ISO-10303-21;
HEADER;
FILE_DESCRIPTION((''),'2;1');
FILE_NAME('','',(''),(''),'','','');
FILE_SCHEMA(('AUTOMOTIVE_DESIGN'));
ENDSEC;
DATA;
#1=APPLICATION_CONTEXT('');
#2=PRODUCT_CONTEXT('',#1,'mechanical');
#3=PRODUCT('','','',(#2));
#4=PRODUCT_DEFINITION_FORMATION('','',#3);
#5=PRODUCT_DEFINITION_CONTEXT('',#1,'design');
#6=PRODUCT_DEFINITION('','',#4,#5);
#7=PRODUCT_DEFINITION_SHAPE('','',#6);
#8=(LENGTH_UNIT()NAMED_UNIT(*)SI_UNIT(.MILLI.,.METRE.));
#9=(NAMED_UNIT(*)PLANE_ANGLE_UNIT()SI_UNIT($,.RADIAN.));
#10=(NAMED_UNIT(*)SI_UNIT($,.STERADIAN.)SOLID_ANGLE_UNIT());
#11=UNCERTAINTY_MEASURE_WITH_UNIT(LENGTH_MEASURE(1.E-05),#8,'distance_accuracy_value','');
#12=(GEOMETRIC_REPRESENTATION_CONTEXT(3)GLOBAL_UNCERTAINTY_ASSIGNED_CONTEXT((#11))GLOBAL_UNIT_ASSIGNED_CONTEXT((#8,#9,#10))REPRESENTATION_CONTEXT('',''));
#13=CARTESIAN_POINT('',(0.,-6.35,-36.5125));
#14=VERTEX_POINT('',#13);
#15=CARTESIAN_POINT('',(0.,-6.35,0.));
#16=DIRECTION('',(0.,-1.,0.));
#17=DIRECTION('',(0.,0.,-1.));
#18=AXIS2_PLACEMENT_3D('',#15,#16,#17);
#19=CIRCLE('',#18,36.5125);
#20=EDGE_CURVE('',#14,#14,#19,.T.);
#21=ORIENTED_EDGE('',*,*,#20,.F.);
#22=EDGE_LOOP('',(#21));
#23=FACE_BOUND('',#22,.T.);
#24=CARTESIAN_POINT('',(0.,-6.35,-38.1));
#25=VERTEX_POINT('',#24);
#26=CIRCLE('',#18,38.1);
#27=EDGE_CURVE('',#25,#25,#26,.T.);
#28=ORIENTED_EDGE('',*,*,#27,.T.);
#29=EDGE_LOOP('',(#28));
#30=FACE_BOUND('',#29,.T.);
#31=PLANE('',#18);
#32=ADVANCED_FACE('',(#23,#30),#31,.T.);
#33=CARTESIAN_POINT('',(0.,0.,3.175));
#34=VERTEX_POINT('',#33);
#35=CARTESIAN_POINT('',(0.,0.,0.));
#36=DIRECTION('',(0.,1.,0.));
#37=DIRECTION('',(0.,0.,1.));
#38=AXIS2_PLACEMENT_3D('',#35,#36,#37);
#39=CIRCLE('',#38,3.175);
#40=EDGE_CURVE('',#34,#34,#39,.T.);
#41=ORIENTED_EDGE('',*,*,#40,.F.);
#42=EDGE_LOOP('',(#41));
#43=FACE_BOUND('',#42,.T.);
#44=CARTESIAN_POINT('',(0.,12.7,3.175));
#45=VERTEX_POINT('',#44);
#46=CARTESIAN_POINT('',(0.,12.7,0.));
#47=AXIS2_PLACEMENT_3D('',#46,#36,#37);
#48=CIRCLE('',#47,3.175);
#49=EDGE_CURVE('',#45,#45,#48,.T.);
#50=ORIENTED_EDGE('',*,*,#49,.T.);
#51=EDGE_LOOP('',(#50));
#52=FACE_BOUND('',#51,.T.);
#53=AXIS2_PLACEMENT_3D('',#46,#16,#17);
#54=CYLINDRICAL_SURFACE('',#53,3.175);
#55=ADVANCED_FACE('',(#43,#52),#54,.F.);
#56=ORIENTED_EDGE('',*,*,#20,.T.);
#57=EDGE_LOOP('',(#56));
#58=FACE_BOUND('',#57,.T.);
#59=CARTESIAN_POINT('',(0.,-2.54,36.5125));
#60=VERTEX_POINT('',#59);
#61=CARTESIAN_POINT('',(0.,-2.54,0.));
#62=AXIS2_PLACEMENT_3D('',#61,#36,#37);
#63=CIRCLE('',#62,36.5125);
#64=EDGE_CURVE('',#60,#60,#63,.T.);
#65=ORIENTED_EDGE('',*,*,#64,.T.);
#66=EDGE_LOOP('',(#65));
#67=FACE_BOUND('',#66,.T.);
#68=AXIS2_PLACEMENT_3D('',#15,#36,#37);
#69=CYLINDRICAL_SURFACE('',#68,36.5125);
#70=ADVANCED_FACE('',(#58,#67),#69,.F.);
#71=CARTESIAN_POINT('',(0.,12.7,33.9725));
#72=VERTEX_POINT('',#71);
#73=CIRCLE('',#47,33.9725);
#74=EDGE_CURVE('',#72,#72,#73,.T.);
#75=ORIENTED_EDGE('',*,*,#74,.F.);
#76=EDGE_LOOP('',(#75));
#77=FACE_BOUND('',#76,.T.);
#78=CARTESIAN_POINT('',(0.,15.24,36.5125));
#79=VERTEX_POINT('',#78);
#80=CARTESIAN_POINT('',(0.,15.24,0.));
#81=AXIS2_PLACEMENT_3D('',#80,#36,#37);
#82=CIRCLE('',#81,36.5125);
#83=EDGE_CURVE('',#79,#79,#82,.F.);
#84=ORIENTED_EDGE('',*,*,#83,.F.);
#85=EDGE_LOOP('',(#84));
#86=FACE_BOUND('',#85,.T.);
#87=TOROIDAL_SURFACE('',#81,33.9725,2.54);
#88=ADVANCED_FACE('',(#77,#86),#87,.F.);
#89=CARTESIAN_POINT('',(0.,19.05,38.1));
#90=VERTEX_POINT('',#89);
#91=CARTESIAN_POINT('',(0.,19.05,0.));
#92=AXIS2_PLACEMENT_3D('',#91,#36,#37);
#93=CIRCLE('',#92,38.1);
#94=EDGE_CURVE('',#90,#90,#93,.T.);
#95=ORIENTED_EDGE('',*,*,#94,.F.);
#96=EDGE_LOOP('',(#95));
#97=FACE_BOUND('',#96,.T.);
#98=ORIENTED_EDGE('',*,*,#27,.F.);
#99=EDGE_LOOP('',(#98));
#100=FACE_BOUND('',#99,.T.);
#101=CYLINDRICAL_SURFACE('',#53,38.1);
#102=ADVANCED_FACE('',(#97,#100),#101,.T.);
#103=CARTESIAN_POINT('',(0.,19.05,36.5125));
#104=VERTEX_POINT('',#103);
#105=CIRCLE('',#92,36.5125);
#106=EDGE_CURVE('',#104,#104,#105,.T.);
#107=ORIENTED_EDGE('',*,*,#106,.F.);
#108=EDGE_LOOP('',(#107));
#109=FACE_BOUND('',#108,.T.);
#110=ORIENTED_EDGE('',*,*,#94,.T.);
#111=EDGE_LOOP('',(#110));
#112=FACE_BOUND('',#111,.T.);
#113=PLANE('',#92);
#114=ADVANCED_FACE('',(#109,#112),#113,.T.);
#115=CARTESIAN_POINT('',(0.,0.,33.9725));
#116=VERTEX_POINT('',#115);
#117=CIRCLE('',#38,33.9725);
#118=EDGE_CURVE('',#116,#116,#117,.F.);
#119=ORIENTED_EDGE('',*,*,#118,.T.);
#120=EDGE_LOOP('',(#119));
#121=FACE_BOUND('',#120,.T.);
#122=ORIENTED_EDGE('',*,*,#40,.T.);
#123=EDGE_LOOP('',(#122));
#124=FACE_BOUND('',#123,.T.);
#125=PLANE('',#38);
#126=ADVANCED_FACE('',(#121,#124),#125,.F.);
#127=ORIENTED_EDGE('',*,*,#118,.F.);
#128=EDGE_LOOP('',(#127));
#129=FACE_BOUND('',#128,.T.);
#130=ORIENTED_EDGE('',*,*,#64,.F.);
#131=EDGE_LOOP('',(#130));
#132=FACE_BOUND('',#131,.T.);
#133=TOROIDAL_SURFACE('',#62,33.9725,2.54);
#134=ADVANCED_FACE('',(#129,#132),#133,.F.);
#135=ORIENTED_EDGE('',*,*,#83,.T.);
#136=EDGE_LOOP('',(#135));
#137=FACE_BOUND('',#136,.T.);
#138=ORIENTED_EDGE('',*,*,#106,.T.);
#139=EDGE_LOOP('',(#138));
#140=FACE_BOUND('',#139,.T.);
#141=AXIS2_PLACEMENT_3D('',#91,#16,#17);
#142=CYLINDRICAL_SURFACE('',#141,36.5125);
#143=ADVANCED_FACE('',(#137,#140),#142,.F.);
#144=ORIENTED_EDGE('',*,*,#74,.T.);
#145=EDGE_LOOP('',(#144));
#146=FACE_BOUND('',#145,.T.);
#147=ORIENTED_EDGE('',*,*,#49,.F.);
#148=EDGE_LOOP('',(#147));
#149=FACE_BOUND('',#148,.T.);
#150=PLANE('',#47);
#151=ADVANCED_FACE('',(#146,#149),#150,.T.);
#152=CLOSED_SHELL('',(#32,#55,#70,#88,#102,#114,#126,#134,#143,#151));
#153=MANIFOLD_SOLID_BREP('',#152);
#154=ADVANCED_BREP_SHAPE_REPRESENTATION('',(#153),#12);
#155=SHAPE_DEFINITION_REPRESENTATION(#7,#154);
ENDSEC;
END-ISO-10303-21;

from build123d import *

# Parameters (mm, degrees)
SKETCH1_R           = 38.1
SKETCH1_R_2         = 3.175
BOSS_EXTRUDE1_DEPTH = 12.7
SKETCH2_R           = 38.1
SKETCH2_R_2         = 36.5125
BOSS_EXTRUDE2_DEPTH = 6.35
BOSS_EXTRUDE3_START = 6.35
SKETCH3_R           = 38.1
SKETCH3_R_2         = 36.5125
BOSS_EXTRUDE3_DEPTH = 6.35
FILLET1_R           = 2.54


with BuildPart() as part:
    # Sketch1 → Boss-Extrude1 (new body)
    with BuildSketch(Plane(origin=(0, 0, 0), x_dir=(1, 0, 0), z_dir=(0, 1, 0))):
        with Locations(Location((0, 0, 0), (0, 0, 270))):
            Circle(SKETCH1_R)
        with Locations(Location((0, 0, 0), (0, 0, 270))):
            Circle(SKETCH1_R_2, mode=Mode.SUBTRACT)
    extrude(amount=BOSS_EXTRUDE1_DEPTH)

    # Sketch2 → Boss-Extrude2 (add)
    with BuildSketch(Plane(origin=(0, 12.7, 0), x_dir=(1, 0, 0), z_dir=(0, 1, 0))):
        with Locations(Location((0, 0, 0), (0, 0, 270))):
            Circle(SKETCH2_R)
        with Locations(Location((0, 0, 0), (0, 0, 270))):
            Circle(SKETCH2_R_2, mode=Mode.SUBTRACT)
    extrude(amount=BOSS_EXTRUDE2_DEPTH)

    # Sketch3 → Boss-Extrude3 (add)
    with BuildSketch(Plane.XZ.offset(BOSS_EXTRUDE3_START)):
        with Locations(Location((0, 0, 0), (0, 0, 270))):
            Circle(SKETCH3_R)
        with Locations(Location((0, 0, 0), (0, 0, 90))):
            Circle(SKETCH3_R_2, mode=Mode.SUBTRACT)
    extrude(amount=-BOSS_EXTRUDE3_DEPTH)

    # Fillet1
    fillet1_edges = [part.edges().sort_by_distance(p)[0] for p in [
        (0, 0, -36.5125),
        (0, 12.7, -36.5125),
    ]]
    fillet(fillet1_edges, radius=FILLET1_R)


solid = part.part
